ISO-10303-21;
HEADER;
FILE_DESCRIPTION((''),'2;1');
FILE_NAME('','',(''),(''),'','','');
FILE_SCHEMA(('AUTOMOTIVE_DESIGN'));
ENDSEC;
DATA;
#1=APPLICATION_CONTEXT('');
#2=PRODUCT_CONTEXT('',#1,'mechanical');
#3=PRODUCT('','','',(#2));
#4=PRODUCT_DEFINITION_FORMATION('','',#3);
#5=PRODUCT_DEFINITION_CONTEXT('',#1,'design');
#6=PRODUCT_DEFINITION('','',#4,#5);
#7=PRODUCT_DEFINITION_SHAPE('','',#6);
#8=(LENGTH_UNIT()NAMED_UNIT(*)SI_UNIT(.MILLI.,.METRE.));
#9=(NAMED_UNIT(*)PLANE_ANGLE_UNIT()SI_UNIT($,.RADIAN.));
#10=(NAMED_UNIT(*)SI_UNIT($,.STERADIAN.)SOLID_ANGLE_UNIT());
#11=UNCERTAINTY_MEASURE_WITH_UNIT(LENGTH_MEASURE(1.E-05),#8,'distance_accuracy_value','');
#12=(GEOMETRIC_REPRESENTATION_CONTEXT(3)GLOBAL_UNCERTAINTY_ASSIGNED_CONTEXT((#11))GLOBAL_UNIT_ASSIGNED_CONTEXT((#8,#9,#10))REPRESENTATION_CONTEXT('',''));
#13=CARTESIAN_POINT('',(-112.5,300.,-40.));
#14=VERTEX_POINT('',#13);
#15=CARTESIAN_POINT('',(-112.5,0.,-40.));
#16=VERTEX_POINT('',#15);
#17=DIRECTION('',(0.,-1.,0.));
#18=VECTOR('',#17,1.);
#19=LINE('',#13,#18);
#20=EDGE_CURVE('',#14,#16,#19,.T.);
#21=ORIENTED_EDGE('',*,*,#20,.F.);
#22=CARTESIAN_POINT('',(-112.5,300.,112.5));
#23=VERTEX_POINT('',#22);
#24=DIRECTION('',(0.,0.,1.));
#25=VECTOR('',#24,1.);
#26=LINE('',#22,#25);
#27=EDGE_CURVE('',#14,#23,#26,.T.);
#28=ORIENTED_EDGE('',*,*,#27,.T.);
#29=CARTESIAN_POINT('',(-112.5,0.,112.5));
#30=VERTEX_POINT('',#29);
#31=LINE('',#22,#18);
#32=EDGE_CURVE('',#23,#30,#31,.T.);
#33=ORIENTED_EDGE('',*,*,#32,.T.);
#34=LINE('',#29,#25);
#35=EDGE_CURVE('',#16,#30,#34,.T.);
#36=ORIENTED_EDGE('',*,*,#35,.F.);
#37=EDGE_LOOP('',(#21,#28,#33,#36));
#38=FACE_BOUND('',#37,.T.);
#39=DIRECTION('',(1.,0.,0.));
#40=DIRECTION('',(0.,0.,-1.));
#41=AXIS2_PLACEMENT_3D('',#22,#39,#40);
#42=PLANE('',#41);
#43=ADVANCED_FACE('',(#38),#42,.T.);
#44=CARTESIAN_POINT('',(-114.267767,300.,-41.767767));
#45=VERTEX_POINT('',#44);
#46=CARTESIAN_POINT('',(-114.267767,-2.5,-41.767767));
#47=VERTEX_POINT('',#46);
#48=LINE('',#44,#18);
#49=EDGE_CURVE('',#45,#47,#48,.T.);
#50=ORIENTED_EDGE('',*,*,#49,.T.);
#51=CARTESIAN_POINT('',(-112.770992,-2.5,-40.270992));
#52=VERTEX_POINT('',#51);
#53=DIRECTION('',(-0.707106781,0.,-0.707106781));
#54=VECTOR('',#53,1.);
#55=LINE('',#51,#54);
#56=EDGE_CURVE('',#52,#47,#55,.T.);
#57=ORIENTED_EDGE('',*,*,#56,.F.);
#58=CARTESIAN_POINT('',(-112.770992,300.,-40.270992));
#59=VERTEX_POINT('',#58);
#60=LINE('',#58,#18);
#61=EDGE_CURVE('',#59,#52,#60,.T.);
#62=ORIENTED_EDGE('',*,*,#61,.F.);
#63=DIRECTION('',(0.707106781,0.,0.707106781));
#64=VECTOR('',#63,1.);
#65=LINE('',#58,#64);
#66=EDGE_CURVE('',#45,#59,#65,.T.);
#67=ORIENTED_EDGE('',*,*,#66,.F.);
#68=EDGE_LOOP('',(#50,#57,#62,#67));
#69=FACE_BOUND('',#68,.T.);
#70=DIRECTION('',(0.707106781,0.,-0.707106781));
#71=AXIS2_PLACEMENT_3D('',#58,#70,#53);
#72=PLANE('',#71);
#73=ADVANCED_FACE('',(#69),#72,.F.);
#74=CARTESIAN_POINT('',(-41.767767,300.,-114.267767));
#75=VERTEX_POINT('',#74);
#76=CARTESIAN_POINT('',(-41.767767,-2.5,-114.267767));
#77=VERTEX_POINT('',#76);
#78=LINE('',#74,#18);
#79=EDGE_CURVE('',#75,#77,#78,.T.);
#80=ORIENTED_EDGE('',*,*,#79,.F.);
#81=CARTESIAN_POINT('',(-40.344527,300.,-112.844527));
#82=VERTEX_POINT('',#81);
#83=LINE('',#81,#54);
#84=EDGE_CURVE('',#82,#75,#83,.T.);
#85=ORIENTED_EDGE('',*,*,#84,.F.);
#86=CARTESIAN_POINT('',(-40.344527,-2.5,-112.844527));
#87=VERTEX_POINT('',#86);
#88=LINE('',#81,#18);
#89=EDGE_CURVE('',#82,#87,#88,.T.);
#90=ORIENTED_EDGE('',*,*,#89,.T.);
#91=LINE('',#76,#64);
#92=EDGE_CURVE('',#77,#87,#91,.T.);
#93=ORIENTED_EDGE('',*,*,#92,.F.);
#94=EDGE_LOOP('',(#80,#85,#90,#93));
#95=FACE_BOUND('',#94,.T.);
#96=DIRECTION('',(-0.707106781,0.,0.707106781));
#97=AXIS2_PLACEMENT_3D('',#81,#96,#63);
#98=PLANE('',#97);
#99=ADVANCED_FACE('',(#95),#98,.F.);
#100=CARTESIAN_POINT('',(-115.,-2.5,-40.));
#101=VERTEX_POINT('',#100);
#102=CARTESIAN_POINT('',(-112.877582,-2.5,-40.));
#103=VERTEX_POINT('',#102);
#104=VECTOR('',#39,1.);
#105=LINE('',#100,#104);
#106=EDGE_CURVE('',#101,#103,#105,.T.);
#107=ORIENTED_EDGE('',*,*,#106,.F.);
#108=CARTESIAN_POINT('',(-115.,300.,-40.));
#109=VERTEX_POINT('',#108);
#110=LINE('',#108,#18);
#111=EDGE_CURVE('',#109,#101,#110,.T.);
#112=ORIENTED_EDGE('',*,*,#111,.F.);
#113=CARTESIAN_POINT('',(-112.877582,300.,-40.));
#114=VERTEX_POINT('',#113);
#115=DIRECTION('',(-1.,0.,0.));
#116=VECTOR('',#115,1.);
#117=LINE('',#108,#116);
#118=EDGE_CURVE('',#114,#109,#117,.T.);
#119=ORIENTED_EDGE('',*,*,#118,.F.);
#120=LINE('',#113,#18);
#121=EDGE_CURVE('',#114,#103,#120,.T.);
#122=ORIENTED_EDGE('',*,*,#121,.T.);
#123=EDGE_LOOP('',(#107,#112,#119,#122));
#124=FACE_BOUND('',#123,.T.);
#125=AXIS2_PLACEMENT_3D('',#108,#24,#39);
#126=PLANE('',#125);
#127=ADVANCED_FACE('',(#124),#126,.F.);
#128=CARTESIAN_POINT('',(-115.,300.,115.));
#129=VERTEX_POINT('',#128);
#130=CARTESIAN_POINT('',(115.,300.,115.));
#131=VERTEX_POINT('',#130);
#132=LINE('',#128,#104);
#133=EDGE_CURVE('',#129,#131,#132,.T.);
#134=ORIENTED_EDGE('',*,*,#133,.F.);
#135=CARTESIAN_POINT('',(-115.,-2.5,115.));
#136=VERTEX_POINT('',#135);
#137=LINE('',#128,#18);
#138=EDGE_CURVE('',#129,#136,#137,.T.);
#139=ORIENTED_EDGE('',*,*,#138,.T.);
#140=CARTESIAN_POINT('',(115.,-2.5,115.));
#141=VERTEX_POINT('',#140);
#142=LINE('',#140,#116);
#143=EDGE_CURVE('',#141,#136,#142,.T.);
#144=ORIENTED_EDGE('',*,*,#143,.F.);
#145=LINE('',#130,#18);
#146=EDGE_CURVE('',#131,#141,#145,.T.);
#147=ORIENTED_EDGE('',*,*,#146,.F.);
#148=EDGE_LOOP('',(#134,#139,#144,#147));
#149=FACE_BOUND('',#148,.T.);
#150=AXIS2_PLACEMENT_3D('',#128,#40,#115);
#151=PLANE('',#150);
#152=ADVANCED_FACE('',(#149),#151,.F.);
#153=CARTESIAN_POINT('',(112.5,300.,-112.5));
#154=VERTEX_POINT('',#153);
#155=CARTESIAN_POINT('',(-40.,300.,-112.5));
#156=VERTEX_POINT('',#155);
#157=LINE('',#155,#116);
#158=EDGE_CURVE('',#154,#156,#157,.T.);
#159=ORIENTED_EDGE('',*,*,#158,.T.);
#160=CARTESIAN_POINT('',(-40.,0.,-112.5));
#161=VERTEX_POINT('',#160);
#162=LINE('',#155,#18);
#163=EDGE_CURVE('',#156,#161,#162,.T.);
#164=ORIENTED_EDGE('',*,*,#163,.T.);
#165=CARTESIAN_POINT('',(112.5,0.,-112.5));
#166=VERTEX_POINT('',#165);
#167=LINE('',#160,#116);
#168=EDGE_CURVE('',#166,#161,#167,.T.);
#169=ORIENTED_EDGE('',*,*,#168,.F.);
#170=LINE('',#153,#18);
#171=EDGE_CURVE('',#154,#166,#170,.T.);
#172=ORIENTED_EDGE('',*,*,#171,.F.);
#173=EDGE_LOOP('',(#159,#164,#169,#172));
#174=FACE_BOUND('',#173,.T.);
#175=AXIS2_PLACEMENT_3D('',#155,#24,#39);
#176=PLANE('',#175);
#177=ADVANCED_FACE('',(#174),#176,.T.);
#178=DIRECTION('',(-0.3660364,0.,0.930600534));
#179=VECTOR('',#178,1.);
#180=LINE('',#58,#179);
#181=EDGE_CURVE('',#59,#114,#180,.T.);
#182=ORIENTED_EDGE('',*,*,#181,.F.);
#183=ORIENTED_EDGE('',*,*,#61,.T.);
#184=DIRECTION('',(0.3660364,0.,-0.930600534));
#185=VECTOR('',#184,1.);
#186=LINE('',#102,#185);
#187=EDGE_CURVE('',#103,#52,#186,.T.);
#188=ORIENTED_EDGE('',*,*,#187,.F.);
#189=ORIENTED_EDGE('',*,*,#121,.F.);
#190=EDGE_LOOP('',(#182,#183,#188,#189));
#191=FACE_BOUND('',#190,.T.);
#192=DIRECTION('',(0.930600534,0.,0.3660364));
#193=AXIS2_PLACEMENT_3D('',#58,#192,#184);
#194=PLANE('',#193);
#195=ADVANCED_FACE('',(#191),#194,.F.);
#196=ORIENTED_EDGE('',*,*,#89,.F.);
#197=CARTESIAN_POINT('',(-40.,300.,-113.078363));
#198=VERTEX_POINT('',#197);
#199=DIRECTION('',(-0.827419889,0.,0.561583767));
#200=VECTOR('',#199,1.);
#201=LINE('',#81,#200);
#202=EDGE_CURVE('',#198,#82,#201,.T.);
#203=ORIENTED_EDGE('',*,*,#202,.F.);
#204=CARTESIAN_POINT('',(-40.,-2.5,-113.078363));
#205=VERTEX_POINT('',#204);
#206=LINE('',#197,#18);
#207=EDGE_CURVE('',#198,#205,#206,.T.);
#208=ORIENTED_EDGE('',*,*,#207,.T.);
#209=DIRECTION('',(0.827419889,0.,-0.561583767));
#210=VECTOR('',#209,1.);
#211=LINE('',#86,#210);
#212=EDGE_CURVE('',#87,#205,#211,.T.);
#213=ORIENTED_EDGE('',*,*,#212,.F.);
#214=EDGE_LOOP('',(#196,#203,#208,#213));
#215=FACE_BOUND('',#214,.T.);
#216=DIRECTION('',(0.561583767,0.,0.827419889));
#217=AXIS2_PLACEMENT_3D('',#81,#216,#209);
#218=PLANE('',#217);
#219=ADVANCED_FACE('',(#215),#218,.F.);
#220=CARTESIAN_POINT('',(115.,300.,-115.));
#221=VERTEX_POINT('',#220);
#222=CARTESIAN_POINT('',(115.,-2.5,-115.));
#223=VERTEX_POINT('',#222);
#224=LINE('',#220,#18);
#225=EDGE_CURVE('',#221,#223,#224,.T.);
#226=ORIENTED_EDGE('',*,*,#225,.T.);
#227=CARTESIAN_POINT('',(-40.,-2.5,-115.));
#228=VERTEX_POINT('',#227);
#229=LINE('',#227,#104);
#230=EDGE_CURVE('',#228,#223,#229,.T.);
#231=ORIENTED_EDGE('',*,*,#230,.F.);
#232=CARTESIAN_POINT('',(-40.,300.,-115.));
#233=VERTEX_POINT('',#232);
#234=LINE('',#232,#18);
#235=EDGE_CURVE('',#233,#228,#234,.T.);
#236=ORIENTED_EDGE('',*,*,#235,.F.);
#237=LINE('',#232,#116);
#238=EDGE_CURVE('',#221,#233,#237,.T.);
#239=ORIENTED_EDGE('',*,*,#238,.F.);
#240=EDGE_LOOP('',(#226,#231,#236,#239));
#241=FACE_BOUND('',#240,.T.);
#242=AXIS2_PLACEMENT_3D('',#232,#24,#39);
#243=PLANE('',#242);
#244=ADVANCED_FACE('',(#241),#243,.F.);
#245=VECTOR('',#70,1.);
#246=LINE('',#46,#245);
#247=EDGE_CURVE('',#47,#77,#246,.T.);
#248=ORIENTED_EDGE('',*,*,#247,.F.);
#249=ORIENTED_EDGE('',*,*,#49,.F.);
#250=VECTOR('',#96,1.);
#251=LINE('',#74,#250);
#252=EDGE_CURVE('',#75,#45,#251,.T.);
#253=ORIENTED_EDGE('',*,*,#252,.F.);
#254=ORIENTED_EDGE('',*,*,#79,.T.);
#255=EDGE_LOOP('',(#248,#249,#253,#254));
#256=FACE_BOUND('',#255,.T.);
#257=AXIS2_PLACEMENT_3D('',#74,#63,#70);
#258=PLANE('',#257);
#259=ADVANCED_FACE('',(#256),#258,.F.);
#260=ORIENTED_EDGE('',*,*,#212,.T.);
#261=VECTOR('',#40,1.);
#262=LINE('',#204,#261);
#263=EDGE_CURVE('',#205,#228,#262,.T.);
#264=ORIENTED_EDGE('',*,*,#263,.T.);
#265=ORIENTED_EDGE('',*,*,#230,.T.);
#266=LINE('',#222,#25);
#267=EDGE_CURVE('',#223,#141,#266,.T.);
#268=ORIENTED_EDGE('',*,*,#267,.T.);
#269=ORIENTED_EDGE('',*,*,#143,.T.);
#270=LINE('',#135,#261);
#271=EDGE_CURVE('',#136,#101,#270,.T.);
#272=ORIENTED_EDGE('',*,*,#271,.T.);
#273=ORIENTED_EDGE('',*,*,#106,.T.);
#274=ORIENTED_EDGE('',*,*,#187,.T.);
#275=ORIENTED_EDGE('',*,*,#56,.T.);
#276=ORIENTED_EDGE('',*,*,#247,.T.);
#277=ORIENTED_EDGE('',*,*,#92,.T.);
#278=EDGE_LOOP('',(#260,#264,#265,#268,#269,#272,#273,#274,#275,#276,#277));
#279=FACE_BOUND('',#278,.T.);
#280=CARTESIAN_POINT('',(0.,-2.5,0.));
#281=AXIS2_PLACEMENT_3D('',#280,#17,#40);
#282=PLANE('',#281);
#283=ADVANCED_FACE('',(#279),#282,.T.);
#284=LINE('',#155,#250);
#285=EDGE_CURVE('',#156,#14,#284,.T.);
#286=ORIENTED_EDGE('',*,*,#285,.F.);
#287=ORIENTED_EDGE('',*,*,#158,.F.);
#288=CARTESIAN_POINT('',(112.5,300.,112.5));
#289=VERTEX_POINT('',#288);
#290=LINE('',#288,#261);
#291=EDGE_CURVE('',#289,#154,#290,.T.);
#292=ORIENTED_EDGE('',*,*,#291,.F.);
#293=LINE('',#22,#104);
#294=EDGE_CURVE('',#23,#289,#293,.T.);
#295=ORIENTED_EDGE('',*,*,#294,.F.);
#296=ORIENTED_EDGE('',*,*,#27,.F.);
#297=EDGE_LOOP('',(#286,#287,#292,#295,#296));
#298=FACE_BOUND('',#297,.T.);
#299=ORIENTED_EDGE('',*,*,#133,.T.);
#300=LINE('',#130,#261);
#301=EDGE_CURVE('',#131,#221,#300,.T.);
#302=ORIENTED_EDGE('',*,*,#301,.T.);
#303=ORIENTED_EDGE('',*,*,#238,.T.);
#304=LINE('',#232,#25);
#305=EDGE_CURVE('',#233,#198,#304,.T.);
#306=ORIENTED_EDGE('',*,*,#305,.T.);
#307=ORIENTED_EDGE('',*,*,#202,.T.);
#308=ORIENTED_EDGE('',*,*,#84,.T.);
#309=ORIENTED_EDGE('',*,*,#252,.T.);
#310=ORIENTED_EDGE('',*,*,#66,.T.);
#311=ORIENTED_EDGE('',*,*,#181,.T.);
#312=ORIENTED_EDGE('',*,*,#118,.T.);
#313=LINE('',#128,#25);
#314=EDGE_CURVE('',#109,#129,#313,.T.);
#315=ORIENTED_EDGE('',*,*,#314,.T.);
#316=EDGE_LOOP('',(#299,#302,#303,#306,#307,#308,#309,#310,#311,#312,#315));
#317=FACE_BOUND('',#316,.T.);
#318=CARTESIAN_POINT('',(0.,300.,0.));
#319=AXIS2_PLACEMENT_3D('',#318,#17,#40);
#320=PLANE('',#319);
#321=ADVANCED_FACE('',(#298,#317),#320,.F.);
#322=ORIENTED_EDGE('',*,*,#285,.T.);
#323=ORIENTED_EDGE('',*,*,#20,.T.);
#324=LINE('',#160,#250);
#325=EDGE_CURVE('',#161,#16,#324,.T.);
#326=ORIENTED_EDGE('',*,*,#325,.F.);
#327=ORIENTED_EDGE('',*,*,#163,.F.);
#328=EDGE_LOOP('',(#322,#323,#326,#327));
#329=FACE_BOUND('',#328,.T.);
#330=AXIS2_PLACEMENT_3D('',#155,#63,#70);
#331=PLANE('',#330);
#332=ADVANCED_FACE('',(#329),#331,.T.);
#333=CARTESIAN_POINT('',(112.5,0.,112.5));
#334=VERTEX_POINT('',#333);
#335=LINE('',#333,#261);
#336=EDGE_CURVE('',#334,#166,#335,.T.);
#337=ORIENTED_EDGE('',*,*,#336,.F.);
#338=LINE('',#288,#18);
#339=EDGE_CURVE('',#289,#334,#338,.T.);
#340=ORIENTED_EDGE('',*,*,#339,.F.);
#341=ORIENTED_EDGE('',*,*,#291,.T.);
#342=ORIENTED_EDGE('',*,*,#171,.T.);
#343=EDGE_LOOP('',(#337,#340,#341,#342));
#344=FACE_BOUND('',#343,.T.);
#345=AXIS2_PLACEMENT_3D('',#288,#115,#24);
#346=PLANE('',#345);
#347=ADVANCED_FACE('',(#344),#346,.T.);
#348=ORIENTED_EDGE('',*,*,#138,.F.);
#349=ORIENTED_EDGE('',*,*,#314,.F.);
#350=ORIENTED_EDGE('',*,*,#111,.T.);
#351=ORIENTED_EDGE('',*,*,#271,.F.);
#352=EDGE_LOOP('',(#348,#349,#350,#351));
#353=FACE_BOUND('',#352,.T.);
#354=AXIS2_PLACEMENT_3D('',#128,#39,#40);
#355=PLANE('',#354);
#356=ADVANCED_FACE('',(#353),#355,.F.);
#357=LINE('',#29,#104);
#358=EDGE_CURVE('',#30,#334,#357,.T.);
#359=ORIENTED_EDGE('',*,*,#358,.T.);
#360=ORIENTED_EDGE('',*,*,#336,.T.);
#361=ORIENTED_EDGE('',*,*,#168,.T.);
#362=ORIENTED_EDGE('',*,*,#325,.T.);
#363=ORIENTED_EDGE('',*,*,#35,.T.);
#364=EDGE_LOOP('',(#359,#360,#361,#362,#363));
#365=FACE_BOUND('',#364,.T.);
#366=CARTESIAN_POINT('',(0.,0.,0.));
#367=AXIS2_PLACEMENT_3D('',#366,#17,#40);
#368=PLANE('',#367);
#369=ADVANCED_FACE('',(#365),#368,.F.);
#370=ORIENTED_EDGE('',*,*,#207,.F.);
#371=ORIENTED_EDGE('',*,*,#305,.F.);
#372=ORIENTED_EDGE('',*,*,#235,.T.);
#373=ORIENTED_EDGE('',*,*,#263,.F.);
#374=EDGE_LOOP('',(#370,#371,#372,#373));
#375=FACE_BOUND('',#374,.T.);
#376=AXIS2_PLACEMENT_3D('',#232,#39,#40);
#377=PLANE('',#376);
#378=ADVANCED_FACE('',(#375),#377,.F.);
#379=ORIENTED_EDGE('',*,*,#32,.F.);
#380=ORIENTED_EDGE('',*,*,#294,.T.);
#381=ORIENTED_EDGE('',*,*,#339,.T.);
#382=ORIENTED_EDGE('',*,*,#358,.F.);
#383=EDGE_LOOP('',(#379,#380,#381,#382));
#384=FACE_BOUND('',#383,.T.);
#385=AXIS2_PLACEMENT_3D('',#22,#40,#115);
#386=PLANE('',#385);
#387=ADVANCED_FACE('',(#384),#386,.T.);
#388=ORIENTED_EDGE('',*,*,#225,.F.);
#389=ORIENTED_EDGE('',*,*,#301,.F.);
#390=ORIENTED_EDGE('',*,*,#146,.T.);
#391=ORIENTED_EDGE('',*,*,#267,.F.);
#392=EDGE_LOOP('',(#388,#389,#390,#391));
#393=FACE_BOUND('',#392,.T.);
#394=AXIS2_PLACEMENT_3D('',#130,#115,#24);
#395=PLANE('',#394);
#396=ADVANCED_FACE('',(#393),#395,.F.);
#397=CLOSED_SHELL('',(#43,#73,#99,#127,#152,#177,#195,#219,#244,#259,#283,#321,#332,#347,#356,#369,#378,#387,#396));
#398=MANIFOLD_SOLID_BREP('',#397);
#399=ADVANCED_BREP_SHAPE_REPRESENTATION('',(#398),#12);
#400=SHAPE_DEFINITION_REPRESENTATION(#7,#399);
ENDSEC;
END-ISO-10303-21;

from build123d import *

# Parameters (mm, degrees)
BOSS_EXTRUDE1_DEPTH = 300
BOSS_EXTRUDE2_DEPTH = 2.5


with BuildPart() as part:
    # Sketch1 → Boss-Extrude1 (new body)
    with BuildSketch(Plane(origin=(0, 0, 0), x_dir=(1, 0, 0), z_dir=(0, 1, 0))):
        Polygon((-41.767766953, 114.267766953), (-114.267766953, 41.767766953), (-112.770991517, 40.270991517), (-112.877581569, 40), (-115, 40), (-115, -115), (115, -115), (115, 115), (-40, 115), (-40, 113.078362506), (-40.344526552, 112.844526552), align=None)
        Polygon((-112.5, -112.5), (112.5, -112.5), (112.5, 112.5), (-40, 112.5), (-112.5, 40), align=None, mode=Mode.SUBTRACT)
    extrude(amount=BOSS_EXTRUDE1_DEPTH)

    # Sketch2 → Boss-Extrude2 (add)
    with BuildSketch(Plane.XZ):
        Polygon((115, -115), (115, 115), (-115, 115), (-115, -40), (-112.877581569, -40), (-112.770991517, -40.270991517), (-114.267766953, -41.767766953), (-41.767766953, -114.267766953), (-40.344526552, -112.844526552), (-40, -113.078362506), (-40, -115), align=None)
    extrude(amount=BOSS_EXTRUDE2_DEPTH)


solid = part.part
